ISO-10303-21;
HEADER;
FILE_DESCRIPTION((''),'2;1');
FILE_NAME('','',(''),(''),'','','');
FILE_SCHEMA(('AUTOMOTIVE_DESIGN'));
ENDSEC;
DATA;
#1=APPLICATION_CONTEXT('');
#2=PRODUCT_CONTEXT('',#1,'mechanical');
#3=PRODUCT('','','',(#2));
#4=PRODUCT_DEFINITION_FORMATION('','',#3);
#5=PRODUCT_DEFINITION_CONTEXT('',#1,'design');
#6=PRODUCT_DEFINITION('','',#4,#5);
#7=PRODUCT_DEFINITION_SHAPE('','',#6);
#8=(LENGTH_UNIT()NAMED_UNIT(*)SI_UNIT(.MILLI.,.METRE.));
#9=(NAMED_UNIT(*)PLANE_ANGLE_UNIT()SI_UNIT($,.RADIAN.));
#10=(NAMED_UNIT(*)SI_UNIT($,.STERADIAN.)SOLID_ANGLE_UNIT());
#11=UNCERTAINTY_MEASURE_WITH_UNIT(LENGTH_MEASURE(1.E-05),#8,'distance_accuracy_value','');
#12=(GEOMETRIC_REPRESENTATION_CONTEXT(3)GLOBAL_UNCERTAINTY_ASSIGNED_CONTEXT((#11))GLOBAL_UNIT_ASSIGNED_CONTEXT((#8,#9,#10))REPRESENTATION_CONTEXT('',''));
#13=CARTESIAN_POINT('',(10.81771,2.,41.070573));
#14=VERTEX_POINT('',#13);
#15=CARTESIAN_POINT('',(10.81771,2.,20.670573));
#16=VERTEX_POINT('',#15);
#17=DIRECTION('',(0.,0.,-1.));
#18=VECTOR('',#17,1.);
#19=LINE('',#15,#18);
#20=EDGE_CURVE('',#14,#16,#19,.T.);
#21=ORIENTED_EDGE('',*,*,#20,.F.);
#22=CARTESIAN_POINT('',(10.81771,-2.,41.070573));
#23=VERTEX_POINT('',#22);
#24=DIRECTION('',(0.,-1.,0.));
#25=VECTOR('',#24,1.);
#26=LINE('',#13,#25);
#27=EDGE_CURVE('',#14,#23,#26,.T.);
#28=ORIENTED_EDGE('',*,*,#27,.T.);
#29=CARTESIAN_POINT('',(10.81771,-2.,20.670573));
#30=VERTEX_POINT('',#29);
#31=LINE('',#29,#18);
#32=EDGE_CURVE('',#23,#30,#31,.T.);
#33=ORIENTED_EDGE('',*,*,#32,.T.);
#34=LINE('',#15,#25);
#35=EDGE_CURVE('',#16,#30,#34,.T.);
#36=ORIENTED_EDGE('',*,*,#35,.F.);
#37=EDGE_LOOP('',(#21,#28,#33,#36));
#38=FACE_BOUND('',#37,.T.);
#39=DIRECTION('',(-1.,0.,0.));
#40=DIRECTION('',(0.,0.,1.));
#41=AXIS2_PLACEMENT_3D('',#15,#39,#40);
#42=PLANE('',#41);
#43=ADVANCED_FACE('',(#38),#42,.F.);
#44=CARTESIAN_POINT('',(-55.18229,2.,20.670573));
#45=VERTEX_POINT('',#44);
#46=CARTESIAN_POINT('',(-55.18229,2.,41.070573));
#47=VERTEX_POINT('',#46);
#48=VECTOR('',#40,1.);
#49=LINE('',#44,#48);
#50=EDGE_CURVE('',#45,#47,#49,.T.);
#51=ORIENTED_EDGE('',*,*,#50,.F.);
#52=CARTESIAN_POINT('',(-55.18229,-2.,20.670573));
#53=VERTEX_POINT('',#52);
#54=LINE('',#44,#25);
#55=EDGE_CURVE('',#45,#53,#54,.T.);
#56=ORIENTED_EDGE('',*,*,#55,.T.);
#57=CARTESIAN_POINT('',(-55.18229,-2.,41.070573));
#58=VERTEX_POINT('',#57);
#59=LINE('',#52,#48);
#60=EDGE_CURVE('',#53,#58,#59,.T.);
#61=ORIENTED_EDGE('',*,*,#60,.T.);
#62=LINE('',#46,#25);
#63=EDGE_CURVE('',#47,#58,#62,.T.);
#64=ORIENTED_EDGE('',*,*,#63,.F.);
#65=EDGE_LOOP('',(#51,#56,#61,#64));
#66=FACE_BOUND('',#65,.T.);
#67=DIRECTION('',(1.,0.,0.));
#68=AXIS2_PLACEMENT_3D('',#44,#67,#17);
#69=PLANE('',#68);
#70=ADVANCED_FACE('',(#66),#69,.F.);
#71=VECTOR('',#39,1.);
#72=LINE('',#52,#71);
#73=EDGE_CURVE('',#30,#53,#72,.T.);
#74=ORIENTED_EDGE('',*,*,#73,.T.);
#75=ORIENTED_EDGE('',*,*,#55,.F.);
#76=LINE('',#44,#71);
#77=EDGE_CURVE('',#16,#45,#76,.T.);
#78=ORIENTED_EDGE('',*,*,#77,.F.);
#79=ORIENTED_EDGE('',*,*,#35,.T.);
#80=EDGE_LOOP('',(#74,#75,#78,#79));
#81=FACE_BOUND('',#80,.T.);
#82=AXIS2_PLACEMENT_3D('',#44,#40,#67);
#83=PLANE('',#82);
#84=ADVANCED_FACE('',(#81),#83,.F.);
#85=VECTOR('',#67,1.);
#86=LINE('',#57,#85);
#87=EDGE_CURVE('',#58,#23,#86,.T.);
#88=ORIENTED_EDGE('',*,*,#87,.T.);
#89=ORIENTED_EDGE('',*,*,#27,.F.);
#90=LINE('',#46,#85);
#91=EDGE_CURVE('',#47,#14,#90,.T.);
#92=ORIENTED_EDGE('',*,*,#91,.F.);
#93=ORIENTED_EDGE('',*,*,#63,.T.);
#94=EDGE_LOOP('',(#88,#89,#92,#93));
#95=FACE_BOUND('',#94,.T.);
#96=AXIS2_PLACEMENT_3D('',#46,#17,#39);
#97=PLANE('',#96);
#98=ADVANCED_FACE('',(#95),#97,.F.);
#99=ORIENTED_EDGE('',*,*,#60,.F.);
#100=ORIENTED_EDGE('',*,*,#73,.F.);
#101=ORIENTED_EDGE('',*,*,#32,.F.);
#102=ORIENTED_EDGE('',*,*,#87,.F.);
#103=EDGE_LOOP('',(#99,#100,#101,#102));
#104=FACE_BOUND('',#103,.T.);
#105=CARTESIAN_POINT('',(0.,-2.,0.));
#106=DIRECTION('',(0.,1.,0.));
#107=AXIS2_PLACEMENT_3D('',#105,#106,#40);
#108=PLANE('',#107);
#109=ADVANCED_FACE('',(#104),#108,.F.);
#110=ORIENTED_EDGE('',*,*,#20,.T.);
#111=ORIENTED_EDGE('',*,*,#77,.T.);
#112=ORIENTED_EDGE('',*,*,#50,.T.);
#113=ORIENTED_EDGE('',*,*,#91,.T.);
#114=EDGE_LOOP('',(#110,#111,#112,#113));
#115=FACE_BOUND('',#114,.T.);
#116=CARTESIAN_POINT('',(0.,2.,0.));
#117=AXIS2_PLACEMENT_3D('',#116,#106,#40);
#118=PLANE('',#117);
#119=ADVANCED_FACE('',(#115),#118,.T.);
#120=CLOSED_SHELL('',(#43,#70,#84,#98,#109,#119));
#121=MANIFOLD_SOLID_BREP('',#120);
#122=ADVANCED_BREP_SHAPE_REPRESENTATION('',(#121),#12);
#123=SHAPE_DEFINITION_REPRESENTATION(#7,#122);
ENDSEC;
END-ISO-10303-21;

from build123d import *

# Parameters (mm, degrees)
SKETCH1_W           = 66
SKETCH1_H           = 20.4
BOSS_EXTRUDE1_DEPTH = 2


with BuildPart() as part:
    # Sketch1 → Boss-Extrude1 (new, symmetric)
    with BuildSketch(Plane(origin=(0, 0, 0), x_dir=(1, 0, 0), z_dir=(0, 1, 0))):
        with Locations((-22.182290307, -30.870572577)):
            Rectangle(SKETCH1_W, SKETCH1_H)
    extrude(amount=BOSS_EXTRUDE1_DEPTH, both=True)


solid = part.part
